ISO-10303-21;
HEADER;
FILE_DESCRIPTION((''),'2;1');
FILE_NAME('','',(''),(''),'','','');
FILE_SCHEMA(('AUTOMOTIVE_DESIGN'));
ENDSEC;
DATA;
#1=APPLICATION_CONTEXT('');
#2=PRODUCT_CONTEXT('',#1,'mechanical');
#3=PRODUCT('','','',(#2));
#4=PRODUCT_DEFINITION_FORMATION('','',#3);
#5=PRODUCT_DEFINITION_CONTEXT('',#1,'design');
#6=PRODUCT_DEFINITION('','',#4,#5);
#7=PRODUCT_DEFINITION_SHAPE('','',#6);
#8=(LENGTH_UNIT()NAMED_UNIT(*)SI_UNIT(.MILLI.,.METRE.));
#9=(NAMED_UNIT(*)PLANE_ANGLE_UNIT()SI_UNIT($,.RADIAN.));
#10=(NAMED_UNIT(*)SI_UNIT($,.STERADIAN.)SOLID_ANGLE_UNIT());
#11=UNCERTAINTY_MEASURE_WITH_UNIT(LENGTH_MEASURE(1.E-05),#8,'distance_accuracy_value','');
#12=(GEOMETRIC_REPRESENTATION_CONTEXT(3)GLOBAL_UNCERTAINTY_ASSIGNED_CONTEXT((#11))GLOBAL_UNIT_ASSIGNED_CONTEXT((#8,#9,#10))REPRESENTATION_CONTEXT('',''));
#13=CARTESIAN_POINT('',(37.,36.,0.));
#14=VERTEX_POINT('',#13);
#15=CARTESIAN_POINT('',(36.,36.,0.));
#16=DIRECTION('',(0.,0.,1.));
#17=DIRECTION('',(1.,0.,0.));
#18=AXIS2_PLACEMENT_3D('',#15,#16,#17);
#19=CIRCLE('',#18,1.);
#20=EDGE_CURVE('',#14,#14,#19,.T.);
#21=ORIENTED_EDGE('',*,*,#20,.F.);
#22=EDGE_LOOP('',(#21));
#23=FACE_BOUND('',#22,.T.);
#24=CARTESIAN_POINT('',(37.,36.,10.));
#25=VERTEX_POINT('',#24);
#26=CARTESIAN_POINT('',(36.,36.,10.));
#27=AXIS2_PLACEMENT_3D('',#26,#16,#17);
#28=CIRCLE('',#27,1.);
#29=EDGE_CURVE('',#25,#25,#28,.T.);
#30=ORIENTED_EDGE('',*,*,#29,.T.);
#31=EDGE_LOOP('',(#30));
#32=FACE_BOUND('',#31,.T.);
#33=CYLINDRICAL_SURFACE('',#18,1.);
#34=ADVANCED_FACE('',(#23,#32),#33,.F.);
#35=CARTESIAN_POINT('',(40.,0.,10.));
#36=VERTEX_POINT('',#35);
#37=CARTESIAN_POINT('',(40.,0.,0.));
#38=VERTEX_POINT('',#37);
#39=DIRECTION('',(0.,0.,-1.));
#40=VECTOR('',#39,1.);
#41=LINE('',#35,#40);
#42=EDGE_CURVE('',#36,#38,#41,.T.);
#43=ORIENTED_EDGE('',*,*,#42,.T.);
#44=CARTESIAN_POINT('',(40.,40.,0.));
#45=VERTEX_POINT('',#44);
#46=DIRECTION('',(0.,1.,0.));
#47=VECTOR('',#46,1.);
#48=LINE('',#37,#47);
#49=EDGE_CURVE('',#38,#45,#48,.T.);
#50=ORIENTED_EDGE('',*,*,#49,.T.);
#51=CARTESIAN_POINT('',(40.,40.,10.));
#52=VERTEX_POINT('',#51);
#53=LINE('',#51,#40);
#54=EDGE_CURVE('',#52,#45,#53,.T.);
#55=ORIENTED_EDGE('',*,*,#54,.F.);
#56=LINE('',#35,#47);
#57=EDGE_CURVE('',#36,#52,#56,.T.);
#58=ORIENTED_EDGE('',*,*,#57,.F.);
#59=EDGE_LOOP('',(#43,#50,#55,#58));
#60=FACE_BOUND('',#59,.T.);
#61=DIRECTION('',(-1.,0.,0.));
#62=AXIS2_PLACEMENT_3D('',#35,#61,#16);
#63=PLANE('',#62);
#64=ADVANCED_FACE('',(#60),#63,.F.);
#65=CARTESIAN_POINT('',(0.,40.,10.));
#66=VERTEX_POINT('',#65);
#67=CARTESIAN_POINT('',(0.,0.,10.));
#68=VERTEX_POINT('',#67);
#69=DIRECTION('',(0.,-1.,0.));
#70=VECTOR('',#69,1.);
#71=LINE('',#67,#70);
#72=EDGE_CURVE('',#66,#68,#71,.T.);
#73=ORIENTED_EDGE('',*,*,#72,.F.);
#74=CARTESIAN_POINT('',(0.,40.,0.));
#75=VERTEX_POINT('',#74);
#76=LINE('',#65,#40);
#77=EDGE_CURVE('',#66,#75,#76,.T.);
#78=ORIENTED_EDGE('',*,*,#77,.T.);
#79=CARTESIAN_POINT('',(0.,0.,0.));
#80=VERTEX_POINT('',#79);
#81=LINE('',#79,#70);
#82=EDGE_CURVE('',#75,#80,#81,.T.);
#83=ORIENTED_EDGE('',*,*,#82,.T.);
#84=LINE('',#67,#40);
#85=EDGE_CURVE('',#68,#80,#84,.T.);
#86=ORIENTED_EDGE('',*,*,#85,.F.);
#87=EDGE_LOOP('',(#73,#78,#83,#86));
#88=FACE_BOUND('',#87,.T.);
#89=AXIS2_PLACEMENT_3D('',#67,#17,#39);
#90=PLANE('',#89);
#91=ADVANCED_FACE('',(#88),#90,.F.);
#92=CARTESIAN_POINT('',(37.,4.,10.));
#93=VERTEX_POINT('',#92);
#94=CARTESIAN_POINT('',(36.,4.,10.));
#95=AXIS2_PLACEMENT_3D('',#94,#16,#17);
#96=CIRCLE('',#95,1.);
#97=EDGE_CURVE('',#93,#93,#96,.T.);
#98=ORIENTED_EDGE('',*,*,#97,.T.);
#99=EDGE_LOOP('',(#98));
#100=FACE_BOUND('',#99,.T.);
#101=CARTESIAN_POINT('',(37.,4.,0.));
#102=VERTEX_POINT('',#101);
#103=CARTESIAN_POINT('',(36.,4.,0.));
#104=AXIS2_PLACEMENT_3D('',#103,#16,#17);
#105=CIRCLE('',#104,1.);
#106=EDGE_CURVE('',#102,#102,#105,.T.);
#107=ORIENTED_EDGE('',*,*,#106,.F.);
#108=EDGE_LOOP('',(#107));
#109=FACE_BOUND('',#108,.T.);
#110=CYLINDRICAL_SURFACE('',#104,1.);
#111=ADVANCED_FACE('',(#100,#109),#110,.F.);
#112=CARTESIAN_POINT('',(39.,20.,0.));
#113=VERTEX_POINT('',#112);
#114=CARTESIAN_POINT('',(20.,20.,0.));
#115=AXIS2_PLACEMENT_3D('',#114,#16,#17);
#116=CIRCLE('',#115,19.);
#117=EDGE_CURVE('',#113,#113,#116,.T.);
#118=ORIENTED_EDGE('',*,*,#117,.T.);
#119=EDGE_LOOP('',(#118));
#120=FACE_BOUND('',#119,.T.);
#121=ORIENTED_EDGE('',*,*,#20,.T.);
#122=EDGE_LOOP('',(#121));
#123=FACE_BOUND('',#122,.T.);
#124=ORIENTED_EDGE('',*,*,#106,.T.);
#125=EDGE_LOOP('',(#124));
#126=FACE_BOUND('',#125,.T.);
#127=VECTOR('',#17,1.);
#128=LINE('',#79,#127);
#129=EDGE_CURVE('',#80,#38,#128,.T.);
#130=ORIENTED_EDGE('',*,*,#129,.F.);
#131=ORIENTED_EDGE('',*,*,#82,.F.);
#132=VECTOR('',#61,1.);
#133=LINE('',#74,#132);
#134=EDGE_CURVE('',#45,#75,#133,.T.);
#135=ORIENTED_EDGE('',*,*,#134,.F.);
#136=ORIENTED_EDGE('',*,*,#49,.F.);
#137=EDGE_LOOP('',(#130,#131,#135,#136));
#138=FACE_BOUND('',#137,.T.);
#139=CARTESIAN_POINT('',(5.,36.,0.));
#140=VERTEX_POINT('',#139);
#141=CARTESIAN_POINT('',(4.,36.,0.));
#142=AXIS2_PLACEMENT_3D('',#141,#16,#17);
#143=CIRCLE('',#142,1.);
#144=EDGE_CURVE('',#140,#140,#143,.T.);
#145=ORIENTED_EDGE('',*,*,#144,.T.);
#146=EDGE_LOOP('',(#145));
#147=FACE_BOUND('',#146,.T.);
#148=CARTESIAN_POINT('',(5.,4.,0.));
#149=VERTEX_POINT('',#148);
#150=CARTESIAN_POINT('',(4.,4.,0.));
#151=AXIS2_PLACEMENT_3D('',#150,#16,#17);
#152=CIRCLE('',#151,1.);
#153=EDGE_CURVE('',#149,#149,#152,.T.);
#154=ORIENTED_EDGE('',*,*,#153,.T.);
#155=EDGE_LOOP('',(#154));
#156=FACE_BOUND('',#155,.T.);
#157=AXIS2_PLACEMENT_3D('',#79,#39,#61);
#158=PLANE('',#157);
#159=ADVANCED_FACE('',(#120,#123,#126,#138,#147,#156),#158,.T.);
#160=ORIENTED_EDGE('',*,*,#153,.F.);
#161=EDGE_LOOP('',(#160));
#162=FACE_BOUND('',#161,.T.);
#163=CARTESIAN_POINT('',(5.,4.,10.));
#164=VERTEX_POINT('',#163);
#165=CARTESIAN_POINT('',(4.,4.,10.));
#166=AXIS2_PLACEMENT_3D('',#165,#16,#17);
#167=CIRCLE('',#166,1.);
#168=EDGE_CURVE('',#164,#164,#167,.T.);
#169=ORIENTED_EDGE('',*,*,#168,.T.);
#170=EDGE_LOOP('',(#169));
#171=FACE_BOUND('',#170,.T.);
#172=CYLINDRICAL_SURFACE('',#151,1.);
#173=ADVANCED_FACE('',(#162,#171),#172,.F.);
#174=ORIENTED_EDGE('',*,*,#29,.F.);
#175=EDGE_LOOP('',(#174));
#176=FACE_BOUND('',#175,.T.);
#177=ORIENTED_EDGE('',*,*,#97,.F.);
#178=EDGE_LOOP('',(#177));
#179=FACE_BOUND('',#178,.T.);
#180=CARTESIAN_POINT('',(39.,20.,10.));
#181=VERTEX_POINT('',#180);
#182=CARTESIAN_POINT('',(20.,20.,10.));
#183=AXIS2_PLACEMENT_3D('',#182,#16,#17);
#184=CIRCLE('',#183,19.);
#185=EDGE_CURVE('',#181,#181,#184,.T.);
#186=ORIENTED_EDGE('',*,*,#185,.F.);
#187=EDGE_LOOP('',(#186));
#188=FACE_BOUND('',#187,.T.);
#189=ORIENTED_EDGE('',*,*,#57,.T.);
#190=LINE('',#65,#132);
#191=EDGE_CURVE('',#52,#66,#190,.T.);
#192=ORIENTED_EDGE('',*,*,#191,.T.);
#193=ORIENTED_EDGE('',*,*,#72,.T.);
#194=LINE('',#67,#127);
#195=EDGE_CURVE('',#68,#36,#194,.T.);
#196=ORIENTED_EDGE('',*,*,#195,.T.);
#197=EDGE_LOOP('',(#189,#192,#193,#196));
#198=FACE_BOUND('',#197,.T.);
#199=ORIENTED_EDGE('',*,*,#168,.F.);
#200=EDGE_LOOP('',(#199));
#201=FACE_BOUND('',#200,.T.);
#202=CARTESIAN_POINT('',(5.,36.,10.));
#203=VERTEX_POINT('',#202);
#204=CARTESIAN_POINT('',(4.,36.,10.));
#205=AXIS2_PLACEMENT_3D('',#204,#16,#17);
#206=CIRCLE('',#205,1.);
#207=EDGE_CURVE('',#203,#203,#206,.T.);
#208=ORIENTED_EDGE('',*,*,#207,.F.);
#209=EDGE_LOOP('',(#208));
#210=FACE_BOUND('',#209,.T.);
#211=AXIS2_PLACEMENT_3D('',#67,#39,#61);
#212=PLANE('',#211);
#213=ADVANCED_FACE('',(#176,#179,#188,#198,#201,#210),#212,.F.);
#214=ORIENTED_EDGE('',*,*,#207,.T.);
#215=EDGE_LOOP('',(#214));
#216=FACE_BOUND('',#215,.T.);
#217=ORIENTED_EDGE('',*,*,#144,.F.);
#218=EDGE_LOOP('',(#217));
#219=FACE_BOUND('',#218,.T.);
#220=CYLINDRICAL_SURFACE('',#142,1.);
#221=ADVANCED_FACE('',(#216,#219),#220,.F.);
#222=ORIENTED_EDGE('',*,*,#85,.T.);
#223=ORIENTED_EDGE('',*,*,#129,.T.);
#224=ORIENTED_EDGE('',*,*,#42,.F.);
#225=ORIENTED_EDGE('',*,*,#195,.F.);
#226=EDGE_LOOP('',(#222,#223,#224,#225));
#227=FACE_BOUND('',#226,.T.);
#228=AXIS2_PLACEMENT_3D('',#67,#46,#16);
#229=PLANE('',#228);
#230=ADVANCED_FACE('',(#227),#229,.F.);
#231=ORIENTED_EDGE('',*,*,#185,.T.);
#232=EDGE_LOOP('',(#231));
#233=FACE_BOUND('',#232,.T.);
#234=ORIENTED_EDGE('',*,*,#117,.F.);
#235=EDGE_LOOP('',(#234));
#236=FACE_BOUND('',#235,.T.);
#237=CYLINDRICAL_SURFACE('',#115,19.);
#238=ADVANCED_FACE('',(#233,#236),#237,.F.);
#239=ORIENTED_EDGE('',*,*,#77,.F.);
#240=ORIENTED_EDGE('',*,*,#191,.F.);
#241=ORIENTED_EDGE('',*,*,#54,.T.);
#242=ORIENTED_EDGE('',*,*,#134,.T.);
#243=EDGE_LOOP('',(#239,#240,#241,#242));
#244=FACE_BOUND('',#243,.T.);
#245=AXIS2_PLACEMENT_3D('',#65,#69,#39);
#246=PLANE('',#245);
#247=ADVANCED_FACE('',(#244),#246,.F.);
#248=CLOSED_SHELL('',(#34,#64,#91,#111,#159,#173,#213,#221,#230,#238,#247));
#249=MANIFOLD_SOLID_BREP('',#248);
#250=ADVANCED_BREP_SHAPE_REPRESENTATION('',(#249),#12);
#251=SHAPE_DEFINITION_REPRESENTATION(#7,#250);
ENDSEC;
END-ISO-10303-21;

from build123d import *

# Parameters (mm, degrees)
SKETCH1_W           = 40
SKETCH1_H           = 40
BOSS_EXTRUDE1_DEPTH = 10
SKETCH2_R           = 1
CUT_EXTRUDE1_DEPTH  = 11
SKETCH3_R           = 19
CUT_EXTRUDE2_DEPTH  = 11


with BuildPart() as part:
    # Sketch1 → Boss-Extrude1 (new body)
    with BuildSketch(Plane.XY):
        with Locations((20, 20)):
            Rectangle(SKETCH1_W, SKETCH1_H)
    extrude(amount=BOSS_EXTRUDE1_DEPTH)

    # Sketch2 → Cut-Extrude1 (cut, through all)
    with BuildSketch(Plane.XY.offset(10)):
        with Locations((36, 36)):
            Circle(SKETCH2_R)
        with Locations((4, 36)):
            Circle(SKETCH2_R)
        with Locations((4, 4)):
            Circle(SKETCH2_R)
        with Locations((36, 4)):
            Circle(SKETCH2_R)
    extrude(amount=-CUT_EXTRUDE1_DEPTH, mode=Mode.SUBTRACT)

    # Sketch3 → Cut-Extrude2 (cut, through all)
    with BuildSketch(Plane.XY.offset(10)):
        with Locations((20, 20)):
            Circle(SKETCH3_R)
    extrude(amount=-CUT_EXTRUDE2_DEPTH, mode=Mode.SUBTRACT)


solid = part.part
